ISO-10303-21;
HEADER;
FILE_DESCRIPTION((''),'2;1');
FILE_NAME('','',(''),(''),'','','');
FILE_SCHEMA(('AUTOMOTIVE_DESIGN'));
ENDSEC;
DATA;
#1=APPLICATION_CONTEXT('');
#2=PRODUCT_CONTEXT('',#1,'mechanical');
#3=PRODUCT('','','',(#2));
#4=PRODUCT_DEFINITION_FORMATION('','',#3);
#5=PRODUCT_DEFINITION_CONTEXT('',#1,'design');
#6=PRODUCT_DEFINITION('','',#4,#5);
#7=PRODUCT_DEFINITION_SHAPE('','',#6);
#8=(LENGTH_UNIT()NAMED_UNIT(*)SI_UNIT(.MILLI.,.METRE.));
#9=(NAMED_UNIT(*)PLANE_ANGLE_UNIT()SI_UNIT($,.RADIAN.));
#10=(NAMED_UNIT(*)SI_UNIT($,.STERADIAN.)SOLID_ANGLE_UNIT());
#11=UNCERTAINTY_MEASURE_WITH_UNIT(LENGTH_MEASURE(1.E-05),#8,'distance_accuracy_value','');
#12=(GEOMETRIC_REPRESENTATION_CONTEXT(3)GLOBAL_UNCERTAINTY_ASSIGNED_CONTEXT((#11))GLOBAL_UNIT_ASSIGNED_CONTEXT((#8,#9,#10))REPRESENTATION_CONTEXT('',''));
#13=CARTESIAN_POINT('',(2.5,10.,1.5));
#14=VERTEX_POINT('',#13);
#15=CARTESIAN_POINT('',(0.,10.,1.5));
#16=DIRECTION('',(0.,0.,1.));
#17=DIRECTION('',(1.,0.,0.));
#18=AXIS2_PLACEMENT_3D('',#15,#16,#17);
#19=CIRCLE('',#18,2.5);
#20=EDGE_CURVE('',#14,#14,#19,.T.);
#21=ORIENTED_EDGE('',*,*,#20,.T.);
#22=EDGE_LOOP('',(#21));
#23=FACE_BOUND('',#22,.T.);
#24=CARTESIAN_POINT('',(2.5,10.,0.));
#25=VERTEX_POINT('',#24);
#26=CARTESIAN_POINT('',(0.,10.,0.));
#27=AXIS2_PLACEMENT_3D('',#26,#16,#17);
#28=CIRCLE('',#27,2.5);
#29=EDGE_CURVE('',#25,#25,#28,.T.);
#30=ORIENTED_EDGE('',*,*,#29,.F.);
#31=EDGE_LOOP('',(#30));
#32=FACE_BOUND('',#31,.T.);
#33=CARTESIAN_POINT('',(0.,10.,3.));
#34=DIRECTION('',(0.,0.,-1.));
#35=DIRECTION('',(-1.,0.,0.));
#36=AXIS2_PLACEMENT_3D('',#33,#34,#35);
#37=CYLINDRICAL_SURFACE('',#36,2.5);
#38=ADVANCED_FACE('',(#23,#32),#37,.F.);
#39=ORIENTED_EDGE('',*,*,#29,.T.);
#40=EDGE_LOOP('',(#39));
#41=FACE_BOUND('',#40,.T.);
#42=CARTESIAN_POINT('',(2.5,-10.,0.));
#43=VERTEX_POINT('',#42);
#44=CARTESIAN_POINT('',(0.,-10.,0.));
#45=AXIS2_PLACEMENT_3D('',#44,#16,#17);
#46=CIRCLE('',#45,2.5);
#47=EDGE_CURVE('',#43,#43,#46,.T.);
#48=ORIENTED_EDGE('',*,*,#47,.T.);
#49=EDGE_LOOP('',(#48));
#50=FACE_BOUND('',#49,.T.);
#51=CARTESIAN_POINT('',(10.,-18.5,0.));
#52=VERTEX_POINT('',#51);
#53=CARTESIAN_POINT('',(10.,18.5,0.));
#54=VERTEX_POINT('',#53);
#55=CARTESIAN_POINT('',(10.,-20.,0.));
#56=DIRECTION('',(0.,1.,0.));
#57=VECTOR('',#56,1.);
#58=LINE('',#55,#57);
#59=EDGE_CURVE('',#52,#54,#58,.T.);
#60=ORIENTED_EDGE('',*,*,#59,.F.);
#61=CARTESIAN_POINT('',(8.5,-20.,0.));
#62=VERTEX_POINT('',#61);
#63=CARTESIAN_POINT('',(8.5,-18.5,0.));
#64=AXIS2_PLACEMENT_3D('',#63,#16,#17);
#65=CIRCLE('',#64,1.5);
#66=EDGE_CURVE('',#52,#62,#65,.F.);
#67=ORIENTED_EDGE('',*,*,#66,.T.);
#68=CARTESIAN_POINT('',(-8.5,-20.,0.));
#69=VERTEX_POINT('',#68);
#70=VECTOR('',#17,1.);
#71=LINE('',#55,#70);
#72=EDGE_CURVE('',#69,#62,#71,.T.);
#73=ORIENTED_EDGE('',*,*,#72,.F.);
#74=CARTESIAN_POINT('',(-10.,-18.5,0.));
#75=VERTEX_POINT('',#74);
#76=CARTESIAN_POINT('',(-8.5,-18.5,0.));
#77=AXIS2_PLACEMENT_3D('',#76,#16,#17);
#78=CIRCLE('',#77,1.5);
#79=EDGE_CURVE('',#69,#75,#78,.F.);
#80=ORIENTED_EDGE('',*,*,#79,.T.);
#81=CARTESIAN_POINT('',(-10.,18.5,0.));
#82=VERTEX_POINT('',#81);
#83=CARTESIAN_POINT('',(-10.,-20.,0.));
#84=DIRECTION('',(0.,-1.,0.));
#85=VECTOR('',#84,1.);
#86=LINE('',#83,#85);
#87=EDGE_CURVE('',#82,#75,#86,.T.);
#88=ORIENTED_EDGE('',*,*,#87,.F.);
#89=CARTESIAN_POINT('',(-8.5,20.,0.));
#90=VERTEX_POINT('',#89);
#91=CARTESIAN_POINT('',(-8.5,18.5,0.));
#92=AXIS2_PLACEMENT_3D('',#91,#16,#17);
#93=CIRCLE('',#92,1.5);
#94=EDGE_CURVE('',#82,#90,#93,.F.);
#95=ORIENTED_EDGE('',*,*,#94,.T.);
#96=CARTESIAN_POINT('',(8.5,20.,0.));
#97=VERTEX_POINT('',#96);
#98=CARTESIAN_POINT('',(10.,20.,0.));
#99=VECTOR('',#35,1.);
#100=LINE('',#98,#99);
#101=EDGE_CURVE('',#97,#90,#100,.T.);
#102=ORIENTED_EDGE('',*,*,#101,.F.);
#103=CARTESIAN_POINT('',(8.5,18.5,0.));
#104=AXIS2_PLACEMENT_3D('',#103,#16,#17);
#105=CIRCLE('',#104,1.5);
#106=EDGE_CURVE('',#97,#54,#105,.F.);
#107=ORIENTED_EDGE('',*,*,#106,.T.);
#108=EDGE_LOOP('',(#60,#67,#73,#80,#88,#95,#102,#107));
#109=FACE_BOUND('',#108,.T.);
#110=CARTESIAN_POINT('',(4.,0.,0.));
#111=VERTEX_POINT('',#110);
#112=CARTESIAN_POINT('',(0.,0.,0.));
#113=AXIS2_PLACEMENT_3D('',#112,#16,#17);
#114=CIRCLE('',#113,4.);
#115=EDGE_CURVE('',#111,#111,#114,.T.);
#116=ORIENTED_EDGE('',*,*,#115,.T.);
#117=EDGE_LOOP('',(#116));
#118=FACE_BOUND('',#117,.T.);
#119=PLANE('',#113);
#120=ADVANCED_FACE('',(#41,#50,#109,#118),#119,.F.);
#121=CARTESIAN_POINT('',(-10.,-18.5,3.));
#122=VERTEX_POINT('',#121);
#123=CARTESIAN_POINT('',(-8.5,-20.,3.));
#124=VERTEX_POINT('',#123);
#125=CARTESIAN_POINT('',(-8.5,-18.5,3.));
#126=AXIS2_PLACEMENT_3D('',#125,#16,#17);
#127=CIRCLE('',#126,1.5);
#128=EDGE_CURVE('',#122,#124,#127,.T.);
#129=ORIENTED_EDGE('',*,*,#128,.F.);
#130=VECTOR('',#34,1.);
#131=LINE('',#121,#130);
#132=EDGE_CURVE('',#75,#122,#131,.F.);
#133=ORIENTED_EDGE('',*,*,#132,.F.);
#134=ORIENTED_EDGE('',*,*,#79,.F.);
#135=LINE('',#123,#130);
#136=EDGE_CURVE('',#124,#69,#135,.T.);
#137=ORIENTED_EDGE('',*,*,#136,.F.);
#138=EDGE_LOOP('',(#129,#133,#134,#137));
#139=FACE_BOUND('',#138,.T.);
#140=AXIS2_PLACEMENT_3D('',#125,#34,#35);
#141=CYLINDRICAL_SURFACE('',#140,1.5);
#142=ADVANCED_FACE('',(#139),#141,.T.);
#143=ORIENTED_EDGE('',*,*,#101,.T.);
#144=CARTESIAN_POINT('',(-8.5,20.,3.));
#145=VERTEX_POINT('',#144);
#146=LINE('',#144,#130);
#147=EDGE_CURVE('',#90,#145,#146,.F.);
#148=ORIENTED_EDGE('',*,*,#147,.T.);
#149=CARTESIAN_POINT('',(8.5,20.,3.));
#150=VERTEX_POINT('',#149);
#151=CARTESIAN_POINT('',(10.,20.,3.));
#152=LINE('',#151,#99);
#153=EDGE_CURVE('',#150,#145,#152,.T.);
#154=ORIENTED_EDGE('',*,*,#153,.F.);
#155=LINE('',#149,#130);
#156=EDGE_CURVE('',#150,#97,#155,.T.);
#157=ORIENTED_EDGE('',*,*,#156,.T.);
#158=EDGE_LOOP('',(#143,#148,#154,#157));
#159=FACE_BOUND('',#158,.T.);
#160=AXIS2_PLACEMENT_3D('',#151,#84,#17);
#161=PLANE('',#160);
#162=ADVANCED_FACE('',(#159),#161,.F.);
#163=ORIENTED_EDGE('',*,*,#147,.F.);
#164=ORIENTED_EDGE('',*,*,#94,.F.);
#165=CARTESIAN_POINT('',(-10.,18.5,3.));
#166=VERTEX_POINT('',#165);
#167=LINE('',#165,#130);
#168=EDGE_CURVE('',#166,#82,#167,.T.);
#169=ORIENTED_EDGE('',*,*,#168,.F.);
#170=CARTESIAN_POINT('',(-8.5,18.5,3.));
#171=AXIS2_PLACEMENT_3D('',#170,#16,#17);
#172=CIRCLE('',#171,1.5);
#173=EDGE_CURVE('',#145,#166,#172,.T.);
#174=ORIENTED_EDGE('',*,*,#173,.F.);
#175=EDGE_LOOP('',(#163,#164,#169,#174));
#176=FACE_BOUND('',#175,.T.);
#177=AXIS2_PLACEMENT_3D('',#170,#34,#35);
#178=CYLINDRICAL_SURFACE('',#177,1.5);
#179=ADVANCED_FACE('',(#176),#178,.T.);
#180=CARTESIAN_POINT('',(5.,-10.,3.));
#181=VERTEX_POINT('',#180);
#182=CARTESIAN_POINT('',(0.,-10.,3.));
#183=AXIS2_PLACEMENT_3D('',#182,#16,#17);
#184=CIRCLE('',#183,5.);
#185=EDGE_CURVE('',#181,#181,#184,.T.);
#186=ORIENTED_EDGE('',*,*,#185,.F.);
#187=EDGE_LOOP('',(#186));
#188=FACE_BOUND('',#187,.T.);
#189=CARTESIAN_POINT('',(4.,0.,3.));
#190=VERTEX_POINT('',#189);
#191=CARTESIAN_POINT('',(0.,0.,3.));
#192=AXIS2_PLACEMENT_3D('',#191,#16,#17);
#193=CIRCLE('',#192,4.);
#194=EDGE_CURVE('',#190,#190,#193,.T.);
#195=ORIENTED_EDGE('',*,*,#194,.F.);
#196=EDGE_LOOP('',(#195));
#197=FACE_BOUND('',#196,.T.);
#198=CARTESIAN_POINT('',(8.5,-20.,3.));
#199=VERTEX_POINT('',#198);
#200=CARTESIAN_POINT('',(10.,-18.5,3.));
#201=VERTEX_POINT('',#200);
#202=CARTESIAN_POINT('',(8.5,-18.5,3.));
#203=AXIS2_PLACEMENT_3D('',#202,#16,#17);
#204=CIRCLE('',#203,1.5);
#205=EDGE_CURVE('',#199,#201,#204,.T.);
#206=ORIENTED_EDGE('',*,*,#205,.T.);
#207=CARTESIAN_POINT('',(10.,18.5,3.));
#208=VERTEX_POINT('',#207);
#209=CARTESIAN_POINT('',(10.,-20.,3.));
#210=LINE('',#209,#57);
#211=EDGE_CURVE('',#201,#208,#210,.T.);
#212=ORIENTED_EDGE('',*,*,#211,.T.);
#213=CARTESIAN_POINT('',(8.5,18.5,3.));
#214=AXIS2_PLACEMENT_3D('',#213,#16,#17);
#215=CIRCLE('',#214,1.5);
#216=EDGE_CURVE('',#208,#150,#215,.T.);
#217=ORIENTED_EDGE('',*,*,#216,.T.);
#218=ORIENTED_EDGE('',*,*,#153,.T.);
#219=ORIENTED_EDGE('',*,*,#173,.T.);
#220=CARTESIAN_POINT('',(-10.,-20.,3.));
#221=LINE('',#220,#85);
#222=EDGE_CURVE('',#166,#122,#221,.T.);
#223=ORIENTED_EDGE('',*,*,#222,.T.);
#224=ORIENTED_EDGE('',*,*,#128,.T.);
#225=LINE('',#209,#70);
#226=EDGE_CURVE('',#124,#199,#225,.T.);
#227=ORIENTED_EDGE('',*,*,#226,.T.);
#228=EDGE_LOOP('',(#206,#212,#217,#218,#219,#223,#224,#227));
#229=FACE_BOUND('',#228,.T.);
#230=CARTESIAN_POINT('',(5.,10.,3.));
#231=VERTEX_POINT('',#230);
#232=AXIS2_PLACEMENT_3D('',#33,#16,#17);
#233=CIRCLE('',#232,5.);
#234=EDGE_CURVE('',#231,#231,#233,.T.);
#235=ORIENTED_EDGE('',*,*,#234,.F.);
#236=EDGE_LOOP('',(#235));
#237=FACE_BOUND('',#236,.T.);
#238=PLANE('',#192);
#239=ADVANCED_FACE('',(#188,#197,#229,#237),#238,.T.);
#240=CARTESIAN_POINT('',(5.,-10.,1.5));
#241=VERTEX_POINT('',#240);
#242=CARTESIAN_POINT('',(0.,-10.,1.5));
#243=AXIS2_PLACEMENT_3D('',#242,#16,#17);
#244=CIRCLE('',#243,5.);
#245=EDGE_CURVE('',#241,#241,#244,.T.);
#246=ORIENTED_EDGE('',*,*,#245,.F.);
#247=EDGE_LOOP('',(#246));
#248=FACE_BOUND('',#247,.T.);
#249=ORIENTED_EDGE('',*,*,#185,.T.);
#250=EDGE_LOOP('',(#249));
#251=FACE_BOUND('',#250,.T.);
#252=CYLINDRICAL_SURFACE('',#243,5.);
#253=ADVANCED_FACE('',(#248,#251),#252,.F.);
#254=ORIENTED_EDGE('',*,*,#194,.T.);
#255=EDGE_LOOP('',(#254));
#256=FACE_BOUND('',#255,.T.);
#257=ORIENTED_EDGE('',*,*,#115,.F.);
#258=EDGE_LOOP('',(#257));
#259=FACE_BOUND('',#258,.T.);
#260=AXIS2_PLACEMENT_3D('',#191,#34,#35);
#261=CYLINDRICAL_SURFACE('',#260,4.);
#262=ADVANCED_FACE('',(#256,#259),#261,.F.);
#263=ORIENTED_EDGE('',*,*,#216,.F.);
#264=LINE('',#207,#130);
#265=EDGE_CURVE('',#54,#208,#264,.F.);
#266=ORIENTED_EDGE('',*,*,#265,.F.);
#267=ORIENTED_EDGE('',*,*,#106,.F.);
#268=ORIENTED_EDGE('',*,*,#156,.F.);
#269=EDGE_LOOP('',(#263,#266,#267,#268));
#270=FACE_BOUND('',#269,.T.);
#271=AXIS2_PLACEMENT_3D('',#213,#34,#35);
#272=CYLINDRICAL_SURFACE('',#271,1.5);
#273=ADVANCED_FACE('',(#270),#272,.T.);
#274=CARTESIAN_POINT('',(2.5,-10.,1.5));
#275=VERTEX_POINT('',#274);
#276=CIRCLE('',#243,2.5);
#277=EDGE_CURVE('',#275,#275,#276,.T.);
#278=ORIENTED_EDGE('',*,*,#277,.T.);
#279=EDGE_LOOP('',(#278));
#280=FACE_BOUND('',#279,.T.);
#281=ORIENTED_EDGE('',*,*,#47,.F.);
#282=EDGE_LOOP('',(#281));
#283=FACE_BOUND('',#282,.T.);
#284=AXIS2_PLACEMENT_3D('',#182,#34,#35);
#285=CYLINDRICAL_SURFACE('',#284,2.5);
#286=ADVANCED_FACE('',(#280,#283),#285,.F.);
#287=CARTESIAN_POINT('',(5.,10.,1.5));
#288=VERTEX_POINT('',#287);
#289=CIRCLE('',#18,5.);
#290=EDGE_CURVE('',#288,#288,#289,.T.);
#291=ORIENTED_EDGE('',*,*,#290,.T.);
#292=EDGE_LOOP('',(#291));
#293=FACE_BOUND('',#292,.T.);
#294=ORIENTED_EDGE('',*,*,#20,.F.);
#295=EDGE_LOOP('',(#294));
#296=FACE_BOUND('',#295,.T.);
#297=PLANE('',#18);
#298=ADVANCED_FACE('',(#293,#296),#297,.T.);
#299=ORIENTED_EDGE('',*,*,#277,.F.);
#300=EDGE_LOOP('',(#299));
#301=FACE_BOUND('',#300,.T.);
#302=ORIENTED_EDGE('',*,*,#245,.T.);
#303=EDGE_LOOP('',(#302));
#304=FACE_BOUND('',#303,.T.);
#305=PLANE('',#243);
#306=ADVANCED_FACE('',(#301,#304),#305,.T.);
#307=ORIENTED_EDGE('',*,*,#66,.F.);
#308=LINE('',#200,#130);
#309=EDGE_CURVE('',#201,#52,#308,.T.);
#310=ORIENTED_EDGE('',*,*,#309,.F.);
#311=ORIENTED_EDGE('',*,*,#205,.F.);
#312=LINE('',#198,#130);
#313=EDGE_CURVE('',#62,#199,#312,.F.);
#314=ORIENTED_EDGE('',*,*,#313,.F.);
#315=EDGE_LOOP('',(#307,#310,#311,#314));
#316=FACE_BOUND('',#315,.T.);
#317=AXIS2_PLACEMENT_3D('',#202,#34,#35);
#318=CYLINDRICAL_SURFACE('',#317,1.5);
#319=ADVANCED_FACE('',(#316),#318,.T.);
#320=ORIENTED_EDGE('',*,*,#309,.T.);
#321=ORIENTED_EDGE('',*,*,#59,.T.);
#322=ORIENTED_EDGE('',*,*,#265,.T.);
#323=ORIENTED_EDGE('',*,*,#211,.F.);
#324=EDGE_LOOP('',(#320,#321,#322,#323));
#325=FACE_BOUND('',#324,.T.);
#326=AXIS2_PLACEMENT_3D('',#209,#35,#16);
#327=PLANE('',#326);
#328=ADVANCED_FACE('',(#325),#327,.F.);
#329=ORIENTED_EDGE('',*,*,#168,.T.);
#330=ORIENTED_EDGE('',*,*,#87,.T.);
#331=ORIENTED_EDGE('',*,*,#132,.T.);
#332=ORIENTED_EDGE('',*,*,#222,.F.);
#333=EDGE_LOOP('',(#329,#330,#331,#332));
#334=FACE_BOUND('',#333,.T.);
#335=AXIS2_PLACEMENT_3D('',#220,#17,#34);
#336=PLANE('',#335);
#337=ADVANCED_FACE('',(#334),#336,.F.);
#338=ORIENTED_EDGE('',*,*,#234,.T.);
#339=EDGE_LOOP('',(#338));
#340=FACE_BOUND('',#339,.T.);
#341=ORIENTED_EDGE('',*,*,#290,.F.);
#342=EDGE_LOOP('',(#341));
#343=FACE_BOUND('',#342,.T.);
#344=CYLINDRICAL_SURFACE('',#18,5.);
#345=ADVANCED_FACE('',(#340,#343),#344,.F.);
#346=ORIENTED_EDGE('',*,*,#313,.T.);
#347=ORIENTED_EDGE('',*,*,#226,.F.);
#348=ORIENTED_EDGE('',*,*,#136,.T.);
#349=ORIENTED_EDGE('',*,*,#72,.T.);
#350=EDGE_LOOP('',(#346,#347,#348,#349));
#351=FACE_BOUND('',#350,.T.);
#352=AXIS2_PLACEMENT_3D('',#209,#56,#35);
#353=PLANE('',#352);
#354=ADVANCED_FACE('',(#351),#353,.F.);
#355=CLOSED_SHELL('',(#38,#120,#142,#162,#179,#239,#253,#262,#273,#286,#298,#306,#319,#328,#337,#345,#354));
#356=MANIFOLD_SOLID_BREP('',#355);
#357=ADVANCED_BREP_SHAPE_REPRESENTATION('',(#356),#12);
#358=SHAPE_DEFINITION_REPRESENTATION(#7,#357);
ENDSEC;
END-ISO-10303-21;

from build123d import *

# Parameters (mm, degrees)
SKETCH1_W           = 20
SKETCH1_H           = 40
SKETCH1_R           = 2.5
SKETCH1_R_2         = 4
BOSS_EXTRUDE1_DEPTH = 3
SKETCH2_R           = 5
CUT_EXTRUDE1_DEPTH  = 1.5
FILLET1_R           = 1.5


with BuildPart() as part:
    # Sketch1 → Boss-Extrude1 (new body)
    with BuildSketch(Plane.XY):
        Rectangle(SKETCH1_W, SKETCH1_H)
        with Locations((0, -10)):
            Circle(SKETCH1_R, mode=Mode.SUBTRACT)
        with Locations((0, 10)):
            Circle(SKETCH1_R, mode=Mode.SUBTRACT)
        Circle(SKETCH1_R_2, mode=Mode.SUBTRACT)
    extrude(amount=BOSS_EXTRUDE1_DEPTH)

    # Sketch2 → Cut-Extrude1 (cut)
    with BuildSketch(Plane.XY.offset(3)):
        with Locations((0, -10)):
            Circle(SKETCH2_R)
        with Locations((0, 10)):
            Circle(SKETCH2_R)
    extrude(amount=-CUT_EXTRUDE1_DEPTH, mode=Mode.SUBTRACT)

    # Fillet1
    fillet1_edges = [part.edges().sort_by_distance(p)[0] for p in [
        (-10, 20, 1.5),
        (10, 20, 1.5),
        (10, -20, 1.5),
        (-10, -20, 1.5),
    ]]
    fillet(fillet1_edges, radius=FILLET1_R)


solid = part.part
